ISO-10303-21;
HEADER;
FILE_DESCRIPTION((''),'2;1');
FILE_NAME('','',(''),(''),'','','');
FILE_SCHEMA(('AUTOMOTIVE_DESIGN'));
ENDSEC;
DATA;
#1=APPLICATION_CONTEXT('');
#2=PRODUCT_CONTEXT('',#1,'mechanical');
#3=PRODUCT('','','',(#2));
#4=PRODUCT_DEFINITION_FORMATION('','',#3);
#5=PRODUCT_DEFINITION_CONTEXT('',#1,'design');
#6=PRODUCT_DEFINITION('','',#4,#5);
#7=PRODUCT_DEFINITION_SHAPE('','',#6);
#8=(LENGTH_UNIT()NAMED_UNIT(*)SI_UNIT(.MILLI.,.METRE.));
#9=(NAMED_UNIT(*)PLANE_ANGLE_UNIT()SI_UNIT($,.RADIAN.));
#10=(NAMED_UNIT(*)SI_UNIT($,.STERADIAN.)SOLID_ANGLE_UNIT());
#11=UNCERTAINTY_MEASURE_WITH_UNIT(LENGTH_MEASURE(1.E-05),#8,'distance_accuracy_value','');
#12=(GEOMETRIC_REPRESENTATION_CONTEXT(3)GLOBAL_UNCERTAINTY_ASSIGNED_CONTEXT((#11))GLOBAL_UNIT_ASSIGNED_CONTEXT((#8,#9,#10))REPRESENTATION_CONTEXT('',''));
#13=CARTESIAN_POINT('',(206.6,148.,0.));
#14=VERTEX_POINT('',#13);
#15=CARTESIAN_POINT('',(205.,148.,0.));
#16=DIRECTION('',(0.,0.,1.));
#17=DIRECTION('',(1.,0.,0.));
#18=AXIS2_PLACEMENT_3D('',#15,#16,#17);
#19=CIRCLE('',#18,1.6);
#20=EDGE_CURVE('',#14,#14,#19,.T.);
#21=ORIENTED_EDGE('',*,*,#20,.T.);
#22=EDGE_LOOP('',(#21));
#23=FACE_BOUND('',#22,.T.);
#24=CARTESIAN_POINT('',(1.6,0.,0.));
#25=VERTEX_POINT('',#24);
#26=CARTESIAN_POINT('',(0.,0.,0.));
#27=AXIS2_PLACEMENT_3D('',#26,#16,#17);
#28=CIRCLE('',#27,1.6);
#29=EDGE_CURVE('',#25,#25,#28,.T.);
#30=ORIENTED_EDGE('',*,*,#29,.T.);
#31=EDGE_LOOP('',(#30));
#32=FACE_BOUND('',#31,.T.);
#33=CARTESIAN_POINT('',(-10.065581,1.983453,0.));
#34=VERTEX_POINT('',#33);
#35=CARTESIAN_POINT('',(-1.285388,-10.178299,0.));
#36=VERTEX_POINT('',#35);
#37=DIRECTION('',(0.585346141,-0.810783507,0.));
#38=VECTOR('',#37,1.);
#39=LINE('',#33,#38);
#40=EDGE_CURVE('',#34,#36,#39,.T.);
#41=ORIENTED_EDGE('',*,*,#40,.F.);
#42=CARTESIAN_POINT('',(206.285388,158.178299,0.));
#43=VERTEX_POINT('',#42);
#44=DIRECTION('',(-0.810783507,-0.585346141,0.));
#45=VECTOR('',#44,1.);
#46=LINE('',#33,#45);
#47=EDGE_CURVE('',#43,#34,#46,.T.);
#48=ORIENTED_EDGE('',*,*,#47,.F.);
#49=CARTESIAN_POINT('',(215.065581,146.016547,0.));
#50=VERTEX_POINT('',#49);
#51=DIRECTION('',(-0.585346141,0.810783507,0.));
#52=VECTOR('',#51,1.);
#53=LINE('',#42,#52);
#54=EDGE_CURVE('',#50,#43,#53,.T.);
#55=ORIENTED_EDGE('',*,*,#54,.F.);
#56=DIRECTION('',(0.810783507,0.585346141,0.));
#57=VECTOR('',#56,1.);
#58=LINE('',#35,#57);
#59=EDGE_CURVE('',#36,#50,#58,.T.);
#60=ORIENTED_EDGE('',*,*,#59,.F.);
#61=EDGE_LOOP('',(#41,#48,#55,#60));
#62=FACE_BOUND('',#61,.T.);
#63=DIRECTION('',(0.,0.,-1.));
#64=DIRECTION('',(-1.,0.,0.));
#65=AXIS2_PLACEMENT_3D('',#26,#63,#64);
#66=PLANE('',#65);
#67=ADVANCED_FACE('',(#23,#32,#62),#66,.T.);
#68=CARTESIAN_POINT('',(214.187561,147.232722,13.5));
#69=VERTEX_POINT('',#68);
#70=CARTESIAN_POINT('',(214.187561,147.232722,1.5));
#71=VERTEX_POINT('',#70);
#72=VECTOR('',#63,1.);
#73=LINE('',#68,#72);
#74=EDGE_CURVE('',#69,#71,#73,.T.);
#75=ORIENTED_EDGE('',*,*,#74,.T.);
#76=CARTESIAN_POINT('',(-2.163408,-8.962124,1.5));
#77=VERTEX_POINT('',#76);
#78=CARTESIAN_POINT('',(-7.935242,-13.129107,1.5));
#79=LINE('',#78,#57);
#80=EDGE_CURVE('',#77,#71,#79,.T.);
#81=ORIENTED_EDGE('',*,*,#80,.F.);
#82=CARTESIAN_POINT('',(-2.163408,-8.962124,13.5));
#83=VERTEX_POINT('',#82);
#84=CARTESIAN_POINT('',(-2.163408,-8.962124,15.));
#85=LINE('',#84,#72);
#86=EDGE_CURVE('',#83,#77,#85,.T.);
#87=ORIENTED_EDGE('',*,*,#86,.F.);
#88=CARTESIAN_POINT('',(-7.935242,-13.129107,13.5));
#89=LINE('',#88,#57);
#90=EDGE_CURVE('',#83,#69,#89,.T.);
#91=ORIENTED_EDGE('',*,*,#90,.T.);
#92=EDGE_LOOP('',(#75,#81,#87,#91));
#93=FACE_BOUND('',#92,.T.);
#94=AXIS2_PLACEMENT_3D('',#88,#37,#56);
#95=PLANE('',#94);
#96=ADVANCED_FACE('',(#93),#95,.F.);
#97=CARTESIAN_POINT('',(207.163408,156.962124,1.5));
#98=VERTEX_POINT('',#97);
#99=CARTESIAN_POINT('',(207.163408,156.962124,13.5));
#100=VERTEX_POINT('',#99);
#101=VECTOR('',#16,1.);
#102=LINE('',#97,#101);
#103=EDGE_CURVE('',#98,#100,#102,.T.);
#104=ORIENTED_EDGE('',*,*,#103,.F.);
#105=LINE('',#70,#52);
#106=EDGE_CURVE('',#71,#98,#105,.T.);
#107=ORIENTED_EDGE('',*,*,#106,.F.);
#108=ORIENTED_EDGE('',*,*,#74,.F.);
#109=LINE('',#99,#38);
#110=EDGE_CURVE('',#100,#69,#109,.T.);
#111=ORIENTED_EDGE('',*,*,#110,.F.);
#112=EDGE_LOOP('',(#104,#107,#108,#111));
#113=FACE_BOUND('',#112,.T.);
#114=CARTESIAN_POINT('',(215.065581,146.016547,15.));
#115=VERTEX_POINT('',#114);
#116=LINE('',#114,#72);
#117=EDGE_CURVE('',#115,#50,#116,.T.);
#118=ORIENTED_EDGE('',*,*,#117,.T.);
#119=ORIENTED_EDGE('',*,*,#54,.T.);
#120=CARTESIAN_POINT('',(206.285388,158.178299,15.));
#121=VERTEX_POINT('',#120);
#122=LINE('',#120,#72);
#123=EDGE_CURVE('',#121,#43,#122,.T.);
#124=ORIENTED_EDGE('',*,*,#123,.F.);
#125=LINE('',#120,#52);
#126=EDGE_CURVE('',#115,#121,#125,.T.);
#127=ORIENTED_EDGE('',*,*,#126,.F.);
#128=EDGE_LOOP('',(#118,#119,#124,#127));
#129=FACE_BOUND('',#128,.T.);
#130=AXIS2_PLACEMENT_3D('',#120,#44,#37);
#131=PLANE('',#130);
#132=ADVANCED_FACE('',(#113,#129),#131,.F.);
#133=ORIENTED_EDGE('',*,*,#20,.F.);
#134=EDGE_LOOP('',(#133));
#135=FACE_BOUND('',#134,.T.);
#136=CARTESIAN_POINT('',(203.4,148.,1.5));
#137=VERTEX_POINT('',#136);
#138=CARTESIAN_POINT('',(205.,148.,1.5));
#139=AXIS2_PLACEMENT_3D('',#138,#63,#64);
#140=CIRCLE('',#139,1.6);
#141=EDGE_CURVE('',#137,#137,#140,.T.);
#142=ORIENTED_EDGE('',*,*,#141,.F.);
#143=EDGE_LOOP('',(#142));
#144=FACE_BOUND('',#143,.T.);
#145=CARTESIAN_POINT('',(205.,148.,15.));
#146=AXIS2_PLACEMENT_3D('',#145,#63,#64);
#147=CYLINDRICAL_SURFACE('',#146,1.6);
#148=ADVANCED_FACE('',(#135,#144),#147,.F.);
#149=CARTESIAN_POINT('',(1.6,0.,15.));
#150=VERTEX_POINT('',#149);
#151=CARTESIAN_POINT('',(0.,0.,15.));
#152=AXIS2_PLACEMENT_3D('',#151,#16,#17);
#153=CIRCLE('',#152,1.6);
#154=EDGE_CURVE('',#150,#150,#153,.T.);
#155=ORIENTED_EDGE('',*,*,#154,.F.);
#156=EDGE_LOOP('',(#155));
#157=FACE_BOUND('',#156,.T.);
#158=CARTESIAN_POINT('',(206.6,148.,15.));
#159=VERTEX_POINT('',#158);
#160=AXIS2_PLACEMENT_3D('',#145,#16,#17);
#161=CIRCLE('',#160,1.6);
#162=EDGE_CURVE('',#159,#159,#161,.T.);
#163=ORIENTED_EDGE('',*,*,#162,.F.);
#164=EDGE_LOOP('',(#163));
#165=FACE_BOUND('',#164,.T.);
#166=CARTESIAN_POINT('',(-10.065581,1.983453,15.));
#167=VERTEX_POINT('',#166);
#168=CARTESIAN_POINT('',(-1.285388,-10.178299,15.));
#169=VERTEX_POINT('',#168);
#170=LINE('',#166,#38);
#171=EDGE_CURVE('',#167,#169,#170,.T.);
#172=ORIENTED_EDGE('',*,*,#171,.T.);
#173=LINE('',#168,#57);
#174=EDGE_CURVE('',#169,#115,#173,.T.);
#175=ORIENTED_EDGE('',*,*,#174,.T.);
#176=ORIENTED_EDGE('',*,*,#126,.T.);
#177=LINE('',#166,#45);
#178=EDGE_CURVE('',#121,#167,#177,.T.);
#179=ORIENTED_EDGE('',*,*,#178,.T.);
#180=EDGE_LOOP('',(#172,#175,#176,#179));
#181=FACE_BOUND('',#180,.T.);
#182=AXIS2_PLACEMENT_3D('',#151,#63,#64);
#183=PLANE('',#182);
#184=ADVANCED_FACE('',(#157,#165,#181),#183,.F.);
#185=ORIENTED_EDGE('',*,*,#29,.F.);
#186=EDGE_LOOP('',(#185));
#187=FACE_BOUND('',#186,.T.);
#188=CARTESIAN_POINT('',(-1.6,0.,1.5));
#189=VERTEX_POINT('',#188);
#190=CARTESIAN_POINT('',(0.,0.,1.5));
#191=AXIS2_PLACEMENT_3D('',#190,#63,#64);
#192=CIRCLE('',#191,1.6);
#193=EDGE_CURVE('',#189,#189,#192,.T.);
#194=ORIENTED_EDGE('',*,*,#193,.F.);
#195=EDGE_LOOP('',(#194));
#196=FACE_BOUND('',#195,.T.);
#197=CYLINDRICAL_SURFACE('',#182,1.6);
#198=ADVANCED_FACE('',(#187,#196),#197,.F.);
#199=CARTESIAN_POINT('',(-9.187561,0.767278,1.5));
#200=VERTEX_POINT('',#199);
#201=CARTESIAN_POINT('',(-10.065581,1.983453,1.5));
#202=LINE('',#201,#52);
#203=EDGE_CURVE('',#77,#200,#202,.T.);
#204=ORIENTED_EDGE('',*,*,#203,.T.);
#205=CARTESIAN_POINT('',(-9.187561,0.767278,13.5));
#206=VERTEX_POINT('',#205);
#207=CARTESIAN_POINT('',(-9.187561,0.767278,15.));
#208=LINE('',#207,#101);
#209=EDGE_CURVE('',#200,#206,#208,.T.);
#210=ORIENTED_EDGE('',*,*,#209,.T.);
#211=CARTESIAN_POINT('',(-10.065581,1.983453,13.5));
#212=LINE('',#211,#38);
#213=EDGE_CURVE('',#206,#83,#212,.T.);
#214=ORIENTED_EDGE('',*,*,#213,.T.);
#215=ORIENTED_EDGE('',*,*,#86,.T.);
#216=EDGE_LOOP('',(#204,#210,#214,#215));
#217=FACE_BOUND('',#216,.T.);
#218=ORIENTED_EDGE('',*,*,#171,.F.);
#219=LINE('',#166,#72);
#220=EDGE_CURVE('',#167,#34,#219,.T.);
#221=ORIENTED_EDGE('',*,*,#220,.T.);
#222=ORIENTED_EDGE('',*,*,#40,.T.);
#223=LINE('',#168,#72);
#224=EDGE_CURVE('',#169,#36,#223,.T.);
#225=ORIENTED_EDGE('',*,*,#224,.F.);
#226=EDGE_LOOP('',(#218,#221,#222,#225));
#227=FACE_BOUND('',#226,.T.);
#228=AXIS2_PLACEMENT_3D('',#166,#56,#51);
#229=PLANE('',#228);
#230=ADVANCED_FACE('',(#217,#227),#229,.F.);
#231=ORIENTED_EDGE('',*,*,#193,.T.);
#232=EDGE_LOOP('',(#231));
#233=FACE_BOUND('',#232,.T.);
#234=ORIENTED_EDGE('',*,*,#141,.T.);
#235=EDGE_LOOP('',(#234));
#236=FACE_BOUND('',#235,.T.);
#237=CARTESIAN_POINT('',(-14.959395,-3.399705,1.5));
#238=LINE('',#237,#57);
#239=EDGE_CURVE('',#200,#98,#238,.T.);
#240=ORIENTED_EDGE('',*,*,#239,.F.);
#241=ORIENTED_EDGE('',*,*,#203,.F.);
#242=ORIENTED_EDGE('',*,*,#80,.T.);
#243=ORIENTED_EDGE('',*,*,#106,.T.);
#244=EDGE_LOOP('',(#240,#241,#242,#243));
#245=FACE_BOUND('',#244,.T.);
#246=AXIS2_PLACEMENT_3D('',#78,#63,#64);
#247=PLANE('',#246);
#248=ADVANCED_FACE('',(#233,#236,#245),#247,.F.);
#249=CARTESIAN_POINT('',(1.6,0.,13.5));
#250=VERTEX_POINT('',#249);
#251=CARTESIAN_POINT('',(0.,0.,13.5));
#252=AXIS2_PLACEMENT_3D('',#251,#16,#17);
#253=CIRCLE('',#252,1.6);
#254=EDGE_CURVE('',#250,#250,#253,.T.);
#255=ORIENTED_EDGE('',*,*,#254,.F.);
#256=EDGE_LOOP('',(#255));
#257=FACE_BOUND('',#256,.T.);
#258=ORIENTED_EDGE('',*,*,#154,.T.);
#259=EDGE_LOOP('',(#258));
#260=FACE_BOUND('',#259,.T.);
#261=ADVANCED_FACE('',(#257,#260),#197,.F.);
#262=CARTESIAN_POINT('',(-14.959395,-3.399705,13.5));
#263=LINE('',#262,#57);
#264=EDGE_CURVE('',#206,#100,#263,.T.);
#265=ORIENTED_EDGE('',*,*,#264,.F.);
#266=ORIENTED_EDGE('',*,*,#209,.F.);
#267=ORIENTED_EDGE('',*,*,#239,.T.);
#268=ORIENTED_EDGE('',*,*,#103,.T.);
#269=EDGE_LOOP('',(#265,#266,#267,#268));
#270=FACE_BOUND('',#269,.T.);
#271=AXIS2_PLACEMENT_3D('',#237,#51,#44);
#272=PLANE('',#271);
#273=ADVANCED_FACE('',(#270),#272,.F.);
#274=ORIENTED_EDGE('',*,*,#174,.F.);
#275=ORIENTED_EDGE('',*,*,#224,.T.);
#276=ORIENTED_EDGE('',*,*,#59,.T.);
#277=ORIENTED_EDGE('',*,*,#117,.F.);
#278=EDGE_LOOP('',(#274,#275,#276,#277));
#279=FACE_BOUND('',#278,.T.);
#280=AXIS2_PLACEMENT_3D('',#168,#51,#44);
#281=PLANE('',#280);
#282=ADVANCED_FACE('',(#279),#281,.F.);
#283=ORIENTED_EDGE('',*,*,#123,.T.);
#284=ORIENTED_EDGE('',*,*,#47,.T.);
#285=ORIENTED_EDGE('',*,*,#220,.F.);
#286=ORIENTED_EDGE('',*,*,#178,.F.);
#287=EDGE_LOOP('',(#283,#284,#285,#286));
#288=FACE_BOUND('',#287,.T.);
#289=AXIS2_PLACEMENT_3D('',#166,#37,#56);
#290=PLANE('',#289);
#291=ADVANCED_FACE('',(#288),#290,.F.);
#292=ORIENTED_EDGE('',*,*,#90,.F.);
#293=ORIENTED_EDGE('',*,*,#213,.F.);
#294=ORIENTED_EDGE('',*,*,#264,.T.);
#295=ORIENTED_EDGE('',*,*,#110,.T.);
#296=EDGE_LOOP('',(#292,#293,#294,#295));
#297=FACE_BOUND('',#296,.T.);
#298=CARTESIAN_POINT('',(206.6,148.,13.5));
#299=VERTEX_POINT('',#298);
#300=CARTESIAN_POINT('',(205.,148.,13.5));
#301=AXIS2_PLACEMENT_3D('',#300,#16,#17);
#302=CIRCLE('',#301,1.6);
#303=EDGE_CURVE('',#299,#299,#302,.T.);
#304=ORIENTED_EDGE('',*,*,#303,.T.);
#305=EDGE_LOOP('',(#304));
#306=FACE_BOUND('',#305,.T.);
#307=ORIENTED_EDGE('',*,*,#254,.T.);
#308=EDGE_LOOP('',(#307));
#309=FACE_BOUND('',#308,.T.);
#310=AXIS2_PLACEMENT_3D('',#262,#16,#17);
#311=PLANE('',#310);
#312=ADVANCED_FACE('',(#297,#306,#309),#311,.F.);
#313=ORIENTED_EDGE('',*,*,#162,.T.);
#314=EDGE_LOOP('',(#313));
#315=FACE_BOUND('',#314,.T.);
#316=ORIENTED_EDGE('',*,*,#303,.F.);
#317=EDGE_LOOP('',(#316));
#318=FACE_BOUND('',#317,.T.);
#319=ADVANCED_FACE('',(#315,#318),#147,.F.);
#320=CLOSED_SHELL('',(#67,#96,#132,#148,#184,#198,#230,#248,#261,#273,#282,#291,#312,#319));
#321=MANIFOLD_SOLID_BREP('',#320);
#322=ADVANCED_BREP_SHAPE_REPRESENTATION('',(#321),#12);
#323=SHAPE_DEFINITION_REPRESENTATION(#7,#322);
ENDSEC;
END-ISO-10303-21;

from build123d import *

# Parameters (mm, degrees)
SKETCH_2_R          = 1.6
EXTRUDE_1_DEPTH     = 15
SKETCH_3_W          = 12
SKETCH_3_H          = 12
CUT_EXTRUDE_1_DEPTH = 275.381172618


with BuildPart() as part:
    # ｽｹｯﾁ2 → ﾎﾞｽ - 押し出し1 (new body)
    with BuildSketch(Plane.XY):
        Polygon((-10.065580607, 1.98345331), (-1.285388486, -10.17829929), (215.065580607, 146.01654669), (206.285388486, 158.17829929), align=None)
        Circle(SKETCH_2_R, mode=Mode.SUBTRACT)
        with Locations((205, 148)):
            Circle(SKETCH_2_R, mode=Mode.SUBTRACT)
    extrude(amount=EXTRUDE_1_DEPTH)

    # ｽｹｯﾁ3 → ｶｯﾄ - 押し出し1 (cut, through all)
    with BuildSketch(Plane(origin=(210.675484547, 152.09742299, 0), x_dir=(0, 0, -1), z_dir=(0.8107835066939648, 0.5853461414180824, 0))):
        with Locations((-7.5, 0)):
            Rectangle(SKETCH_3_W, SKETCH_3_H)
    extrude(amount=-CUT_EXTRUDE_1_DEPTH, mode=Mode.SUBTRACT)


solid = part.part
